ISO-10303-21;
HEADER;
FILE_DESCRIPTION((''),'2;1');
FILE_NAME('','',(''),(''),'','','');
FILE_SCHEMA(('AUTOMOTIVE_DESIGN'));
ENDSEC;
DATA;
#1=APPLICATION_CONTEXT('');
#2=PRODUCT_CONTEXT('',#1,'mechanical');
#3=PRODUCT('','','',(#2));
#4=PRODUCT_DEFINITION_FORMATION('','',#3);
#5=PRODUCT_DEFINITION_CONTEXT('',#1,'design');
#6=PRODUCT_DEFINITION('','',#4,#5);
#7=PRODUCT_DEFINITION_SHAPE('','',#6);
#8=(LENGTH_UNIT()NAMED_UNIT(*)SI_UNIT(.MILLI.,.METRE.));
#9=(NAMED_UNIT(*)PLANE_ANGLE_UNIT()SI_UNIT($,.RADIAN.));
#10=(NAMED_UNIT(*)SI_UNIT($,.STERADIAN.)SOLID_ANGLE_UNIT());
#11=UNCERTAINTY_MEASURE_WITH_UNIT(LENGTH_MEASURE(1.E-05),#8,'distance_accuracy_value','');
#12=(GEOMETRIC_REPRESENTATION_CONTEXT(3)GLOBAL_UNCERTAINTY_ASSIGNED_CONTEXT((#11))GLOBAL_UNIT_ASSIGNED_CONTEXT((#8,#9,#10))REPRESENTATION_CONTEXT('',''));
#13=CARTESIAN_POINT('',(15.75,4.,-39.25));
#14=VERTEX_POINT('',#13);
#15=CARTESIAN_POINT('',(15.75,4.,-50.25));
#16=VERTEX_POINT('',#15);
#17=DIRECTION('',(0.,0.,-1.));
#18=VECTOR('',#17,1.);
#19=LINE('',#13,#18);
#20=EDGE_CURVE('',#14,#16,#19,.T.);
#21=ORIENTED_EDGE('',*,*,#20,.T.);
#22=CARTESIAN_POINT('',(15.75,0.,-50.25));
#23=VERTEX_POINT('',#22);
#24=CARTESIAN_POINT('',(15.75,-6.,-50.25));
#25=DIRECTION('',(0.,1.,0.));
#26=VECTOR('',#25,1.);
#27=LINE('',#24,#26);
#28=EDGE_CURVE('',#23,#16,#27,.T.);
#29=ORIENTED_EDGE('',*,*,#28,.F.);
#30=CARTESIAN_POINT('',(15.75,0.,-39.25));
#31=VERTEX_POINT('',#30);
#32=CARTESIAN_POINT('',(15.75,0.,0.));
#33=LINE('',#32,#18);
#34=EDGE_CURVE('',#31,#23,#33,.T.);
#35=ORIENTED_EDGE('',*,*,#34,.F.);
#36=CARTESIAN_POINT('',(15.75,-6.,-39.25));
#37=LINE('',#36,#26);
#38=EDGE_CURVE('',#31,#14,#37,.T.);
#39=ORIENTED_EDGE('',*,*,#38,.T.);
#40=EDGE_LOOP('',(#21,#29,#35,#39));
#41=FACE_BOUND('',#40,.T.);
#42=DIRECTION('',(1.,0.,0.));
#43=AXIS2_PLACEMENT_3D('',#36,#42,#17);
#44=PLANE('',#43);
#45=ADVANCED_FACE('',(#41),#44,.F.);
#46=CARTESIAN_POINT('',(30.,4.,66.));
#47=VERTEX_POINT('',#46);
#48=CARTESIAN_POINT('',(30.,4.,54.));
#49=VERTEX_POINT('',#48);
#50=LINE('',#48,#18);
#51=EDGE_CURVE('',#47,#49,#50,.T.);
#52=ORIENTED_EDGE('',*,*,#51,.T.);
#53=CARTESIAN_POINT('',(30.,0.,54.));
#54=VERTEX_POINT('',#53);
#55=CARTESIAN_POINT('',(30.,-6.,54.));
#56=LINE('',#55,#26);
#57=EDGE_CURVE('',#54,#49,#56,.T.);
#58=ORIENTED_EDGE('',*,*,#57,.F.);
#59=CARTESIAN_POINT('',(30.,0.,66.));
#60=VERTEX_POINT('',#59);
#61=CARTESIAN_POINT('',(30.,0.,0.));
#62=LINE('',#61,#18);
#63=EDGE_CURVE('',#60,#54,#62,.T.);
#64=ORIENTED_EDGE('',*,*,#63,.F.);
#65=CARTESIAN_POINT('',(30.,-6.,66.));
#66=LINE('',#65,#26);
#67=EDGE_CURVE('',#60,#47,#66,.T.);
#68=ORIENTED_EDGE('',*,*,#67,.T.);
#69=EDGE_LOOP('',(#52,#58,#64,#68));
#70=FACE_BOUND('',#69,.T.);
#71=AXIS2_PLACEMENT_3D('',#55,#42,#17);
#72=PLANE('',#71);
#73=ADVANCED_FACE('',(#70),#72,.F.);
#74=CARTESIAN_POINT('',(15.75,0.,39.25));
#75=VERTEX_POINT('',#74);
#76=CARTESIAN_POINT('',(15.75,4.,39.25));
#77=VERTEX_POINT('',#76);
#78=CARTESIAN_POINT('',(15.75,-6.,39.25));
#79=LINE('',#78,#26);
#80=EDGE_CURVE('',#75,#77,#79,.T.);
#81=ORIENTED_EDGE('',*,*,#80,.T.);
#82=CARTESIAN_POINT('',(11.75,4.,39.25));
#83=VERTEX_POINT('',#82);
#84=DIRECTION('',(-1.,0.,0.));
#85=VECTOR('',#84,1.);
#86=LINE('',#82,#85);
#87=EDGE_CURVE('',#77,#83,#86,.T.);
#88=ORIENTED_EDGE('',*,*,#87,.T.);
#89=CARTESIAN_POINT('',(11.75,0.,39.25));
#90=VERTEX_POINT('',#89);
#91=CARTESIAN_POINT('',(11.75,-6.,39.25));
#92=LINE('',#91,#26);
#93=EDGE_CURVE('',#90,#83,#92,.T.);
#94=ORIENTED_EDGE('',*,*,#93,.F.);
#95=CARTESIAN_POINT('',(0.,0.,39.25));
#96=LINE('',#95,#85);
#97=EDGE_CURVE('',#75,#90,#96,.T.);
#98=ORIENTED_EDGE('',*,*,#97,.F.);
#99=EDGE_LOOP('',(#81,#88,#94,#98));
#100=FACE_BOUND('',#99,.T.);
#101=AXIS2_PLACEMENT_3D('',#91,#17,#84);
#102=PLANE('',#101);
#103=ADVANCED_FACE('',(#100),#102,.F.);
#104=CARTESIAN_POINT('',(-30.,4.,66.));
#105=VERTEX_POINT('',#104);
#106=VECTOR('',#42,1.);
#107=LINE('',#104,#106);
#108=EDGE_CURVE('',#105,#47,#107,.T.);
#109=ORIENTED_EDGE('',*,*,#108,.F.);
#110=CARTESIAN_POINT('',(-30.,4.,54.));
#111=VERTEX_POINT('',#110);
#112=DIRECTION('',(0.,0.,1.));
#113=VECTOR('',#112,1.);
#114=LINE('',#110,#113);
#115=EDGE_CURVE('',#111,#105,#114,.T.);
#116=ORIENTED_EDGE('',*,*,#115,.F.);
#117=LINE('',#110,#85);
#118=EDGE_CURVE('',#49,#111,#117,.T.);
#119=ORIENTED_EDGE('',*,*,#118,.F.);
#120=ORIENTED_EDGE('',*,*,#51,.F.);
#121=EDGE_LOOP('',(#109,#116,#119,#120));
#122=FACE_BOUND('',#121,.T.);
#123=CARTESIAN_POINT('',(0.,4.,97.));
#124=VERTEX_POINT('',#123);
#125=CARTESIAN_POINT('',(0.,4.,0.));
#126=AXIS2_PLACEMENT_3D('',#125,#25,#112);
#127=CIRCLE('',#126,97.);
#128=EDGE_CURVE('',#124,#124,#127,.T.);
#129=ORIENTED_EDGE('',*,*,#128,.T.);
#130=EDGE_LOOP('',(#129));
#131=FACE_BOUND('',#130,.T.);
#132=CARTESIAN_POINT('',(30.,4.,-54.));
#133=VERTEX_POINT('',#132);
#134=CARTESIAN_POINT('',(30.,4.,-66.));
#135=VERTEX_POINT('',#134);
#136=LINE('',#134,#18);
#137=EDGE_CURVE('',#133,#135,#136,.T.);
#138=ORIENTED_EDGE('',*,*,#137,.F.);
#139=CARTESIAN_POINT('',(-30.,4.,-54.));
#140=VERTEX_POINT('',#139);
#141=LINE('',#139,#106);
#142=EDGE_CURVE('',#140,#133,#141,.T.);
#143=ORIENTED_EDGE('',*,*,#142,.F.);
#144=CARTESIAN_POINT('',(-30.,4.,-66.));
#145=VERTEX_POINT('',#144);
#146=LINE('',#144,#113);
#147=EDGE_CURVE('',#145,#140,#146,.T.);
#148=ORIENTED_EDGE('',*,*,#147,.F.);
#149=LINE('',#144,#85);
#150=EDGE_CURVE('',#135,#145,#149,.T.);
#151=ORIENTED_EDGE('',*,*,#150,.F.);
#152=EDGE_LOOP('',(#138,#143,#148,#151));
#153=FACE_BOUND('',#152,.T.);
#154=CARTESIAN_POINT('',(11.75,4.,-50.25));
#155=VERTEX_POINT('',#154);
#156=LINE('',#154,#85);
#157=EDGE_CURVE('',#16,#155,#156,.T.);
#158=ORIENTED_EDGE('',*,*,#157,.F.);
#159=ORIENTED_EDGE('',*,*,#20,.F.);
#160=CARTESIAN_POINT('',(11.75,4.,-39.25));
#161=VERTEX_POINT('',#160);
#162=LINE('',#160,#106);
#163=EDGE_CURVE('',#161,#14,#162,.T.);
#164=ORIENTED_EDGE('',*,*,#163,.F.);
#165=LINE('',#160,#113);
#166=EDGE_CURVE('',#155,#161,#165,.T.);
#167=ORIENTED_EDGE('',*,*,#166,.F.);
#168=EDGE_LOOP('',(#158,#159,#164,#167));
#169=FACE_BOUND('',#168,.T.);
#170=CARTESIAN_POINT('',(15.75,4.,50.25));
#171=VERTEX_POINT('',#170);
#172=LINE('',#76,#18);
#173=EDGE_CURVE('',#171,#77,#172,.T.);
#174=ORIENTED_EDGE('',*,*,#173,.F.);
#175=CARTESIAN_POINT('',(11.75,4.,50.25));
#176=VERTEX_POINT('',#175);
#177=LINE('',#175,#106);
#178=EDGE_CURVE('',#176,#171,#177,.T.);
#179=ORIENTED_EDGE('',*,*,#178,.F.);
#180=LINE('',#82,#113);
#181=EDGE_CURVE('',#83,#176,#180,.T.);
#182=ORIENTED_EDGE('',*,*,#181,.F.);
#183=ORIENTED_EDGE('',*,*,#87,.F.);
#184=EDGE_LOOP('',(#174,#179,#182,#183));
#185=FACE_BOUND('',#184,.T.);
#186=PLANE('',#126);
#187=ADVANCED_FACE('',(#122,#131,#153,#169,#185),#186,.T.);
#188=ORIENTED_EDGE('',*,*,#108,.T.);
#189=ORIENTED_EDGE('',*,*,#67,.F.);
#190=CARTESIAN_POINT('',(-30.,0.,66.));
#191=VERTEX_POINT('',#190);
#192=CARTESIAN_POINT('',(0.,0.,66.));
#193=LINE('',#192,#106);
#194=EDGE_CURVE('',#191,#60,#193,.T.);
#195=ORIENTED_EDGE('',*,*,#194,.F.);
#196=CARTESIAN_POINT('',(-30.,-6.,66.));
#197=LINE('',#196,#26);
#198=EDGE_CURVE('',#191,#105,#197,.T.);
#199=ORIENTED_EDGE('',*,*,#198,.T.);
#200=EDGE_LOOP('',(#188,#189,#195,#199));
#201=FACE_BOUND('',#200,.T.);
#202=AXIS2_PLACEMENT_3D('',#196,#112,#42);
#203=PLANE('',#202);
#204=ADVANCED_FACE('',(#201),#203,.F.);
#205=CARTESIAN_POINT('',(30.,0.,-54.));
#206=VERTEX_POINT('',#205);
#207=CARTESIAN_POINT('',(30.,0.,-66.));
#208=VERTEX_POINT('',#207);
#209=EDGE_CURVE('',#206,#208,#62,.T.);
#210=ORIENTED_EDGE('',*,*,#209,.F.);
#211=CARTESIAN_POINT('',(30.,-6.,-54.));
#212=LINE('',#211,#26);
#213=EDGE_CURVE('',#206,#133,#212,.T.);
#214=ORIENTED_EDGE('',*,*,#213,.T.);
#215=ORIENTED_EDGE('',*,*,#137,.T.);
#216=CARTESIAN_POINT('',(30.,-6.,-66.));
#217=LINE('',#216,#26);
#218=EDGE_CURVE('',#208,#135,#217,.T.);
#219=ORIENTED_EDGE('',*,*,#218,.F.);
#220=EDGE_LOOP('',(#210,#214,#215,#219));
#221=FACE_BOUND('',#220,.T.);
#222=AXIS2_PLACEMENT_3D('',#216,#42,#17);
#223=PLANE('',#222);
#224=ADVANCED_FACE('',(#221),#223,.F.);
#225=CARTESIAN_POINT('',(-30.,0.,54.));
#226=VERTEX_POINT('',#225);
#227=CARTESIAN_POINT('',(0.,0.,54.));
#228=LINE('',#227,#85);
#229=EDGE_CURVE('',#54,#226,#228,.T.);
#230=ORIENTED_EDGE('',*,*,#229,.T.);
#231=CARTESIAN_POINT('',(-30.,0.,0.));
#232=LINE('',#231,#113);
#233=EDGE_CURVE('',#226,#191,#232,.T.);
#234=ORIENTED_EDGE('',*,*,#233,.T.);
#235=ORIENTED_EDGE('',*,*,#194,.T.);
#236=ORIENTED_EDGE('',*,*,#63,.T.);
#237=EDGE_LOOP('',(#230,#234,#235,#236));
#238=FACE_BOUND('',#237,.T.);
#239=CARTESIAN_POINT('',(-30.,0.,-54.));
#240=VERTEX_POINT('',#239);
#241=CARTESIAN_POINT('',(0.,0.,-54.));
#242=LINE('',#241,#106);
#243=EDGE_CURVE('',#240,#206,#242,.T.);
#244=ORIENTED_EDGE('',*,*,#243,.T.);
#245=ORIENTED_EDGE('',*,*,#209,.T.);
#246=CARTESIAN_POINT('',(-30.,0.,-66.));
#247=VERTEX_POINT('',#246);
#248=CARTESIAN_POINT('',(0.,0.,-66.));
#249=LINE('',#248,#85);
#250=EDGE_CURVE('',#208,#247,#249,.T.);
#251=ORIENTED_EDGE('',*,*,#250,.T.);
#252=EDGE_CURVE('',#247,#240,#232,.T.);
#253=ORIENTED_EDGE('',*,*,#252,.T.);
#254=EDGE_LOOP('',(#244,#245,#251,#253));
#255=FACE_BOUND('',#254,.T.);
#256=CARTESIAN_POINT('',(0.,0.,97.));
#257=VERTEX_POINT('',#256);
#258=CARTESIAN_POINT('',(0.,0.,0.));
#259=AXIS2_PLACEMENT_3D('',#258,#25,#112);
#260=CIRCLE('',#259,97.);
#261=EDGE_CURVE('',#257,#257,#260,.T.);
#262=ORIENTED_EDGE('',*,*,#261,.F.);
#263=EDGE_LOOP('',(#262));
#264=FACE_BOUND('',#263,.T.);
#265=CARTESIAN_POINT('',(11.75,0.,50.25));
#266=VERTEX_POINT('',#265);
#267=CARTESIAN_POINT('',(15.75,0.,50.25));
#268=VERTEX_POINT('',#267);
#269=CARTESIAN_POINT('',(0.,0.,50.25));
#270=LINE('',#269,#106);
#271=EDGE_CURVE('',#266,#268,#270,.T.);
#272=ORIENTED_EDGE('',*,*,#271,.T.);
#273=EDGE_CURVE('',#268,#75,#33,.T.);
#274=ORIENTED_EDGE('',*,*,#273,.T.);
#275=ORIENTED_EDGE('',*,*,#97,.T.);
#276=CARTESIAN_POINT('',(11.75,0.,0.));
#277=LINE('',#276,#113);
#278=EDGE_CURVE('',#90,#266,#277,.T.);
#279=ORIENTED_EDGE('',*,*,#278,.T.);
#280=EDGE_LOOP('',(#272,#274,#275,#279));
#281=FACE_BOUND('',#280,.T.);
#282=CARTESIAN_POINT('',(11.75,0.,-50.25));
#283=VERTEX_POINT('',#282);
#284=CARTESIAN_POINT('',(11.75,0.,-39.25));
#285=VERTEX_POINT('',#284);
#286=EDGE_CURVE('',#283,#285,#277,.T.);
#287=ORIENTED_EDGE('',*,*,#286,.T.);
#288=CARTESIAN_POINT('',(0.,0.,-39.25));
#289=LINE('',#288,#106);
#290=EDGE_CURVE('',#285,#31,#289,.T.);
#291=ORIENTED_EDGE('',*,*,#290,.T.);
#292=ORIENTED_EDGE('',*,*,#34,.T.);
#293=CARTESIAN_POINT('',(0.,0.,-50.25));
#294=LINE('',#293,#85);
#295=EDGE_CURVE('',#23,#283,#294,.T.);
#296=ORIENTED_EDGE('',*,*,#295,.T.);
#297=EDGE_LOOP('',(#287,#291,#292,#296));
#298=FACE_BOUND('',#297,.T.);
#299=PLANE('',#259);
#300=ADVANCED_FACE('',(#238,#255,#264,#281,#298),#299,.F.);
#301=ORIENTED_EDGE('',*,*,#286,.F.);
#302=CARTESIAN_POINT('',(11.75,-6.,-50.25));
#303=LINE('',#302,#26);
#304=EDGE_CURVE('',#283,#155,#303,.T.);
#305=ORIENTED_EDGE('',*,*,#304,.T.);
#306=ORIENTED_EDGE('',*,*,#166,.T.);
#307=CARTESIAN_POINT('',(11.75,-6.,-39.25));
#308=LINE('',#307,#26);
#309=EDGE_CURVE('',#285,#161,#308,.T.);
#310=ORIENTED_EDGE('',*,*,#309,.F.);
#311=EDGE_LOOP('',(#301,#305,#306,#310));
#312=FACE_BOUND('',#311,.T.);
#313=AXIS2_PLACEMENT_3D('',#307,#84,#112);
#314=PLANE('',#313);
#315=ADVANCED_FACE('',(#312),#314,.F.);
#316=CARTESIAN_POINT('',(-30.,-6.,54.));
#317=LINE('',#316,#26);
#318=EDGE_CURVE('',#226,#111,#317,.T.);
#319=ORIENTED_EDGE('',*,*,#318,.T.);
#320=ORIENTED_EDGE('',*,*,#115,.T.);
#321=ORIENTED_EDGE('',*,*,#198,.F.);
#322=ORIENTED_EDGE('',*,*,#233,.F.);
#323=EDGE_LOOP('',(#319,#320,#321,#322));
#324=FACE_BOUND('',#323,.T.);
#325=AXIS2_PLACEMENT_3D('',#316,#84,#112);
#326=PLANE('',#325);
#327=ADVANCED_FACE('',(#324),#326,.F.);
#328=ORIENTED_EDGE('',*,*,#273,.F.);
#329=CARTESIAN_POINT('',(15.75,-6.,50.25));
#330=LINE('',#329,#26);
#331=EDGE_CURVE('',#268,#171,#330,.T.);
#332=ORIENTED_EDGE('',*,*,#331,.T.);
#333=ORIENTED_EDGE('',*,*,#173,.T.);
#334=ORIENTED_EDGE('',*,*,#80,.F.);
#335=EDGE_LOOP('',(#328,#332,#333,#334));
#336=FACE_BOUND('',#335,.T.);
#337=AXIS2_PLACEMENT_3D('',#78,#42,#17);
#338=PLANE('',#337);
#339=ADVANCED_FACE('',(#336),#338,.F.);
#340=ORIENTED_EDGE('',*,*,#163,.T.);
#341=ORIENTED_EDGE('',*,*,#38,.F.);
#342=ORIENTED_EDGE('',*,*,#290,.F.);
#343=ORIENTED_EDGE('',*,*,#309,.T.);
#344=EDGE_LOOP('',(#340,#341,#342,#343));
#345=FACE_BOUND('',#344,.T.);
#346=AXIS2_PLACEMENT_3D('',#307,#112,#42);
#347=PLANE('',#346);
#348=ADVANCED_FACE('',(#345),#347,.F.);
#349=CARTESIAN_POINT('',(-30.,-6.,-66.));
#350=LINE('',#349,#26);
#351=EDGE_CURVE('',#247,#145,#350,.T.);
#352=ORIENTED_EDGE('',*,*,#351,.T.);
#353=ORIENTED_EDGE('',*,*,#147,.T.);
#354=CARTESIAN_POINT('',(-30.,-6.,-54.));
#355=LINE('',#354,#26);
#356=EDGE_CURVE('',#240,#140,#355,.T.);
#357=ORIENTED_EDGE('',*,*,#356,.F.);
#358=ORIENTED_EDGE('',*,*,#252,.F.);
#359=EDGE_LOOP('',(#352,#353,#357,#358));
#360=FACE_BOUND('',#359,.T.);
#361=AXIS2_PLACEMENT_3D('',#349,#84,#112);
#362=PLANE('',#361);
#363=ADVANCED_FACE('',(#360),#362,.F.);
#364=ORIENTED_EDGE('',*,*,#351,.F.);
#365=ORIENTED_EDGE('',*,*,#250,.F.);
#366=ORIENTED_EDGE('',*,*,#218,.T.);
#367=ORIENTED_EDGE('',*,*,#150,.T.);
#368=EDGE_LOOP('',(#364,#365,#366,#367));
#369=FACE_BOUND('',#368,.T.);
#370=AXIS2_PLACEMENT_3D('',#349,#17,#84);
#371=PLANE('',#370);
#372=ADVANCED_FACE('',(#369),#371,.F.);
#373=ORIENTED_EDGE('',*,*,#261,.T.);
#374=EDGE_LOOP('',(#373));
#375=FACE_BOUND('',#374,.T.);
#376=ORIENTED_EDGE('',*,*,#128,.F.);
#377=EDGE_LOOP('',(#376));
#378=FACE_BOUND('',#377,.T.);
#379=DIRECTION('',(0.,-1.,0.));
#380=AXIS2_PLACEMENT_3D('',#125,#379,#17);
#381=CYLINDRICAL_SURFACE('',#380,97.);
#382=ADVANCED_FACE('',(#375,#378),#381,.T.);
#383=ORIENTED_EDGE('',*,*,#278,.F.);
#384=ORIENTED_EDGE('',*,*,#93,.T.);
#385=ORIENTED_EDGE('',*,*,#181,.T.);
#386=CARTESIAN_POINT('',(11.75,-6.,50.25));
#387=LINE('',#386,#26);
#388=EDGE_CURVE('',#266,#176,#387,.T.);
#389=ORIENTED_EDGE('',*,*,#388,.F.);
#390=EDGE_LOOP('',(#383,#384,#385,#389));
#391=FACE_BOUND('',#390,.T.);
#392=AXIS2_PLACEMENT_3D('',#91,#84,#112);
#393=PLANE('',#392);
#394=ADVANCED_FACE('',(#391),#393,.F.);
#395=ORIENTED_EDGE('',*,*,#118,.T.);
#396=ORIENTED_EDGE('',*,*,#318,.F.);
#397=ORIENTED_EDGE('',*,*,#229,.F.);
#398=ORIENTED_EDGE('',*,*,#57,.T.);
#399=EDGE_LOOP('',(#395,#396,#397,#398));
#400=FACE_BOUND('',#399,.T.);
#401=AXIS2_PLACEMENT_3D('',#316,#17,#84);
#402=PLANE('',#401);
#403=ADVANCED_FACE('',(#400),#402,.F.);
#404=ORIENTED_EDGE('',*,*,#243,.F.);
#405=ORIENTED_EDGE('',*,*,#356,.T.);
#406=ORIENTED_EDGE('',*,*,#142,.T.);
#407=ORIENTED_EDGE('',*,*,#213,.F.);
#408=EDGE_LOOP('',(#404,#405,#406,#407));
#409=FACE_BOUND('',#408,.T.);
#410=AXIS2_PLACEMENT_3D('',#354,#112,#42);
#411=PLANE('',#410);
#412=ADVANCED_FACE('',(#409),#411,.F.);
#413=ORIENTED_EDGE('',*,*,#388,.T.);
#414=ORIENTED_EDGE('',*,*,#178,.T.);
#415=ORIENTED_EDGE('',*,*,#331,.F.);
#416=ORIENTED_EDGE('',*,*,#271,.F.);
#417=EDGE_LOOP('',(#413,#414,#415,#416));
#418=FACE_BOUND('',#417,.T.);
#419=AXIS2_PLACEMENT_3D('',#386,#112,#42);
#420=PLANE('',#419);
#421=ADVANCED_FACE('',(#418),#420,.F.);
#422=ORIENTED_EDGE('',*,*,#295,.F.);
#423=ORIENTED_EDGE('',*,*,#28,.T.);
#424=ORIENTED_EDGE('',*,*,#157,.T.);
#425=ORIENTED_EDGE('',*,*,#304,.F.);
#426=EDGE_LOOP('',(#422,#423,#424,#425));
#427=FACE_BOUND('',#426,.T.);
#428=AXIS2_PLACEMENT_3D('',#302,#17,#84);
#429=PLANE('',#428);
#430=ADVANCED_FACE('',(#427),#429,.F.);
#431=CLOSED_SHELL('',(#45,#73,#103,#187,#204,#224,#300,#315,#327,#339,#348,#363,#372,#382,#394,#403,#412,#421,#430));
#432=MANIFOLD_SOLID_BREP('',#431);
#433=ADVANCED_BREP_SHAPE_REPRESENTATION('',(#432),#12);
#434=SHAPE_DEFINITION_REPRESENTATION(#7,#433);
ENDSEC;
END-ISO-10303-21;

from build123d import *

# Parameters (mm, degrees)
SKETCH1_R           = 97
BOSS_EXTRUDE1_DEPTH = 4
SKETCH2_W           = 60
SKETCH2_H           = 12
CUT_EXTRUDE1_DEPTH  = 10
SKETCH3_W           = 4
SKETCH3_H           = 11
CUT_EXTRUDE2_DEPTH  = 10


with BuildPart() as part:
    # Sketch1 → Boss-Extrude1 (new body)
    with BuildSketch(Plane(origin=(0, 0, 0), x_dir=(1, 0, 0), z_dir=(0, 1, 0))):
        with Locations(Location((0, 0, 0), (0, 0, 270))):  # turned: the seam where the file's is
            Circle(SKETCH1_R)
    extrude(amount=BOSS_EXTRUDE1_DEPTH)

    # Sketch2 → Cut-Extrude1 (cut)
    with BuildSketch(Plane(origin=(0, 4, 0), x_dir=(1, 0, 0), z_dir=(0, 1, 0))):
        with Locations((0, -60)):
            Rectangle(SKETCH2_W, SKETCH2_H)
        with Locations((0, 60)):
            Rectangle(SKETCH2_W, SKETCH2_H)
    extrude(amount=-CUT_EXTRUDE1_DEPTH, mode=Mode.SUBTRACT)

    # Sketch3 → Cut-Extrude2 (cut)
    with BuildSketch(Plane(origin=(0, 4, 0), x_dir=(1, 0, 0), z_dir=(0, 1, 0))):
        with Locations((13.75, -44.75)):
            Rectangle(SKETCH3_W, SKETCH3_H)
        with Locations((13.75, 44.75)):
            Rectangle(SKETCH3_W, SKETCH3_H)
    extrude(amount=-CUT_EXTRUDE2_DEPTH, mode=Mode.SUBTRACT)


solid = part.part
